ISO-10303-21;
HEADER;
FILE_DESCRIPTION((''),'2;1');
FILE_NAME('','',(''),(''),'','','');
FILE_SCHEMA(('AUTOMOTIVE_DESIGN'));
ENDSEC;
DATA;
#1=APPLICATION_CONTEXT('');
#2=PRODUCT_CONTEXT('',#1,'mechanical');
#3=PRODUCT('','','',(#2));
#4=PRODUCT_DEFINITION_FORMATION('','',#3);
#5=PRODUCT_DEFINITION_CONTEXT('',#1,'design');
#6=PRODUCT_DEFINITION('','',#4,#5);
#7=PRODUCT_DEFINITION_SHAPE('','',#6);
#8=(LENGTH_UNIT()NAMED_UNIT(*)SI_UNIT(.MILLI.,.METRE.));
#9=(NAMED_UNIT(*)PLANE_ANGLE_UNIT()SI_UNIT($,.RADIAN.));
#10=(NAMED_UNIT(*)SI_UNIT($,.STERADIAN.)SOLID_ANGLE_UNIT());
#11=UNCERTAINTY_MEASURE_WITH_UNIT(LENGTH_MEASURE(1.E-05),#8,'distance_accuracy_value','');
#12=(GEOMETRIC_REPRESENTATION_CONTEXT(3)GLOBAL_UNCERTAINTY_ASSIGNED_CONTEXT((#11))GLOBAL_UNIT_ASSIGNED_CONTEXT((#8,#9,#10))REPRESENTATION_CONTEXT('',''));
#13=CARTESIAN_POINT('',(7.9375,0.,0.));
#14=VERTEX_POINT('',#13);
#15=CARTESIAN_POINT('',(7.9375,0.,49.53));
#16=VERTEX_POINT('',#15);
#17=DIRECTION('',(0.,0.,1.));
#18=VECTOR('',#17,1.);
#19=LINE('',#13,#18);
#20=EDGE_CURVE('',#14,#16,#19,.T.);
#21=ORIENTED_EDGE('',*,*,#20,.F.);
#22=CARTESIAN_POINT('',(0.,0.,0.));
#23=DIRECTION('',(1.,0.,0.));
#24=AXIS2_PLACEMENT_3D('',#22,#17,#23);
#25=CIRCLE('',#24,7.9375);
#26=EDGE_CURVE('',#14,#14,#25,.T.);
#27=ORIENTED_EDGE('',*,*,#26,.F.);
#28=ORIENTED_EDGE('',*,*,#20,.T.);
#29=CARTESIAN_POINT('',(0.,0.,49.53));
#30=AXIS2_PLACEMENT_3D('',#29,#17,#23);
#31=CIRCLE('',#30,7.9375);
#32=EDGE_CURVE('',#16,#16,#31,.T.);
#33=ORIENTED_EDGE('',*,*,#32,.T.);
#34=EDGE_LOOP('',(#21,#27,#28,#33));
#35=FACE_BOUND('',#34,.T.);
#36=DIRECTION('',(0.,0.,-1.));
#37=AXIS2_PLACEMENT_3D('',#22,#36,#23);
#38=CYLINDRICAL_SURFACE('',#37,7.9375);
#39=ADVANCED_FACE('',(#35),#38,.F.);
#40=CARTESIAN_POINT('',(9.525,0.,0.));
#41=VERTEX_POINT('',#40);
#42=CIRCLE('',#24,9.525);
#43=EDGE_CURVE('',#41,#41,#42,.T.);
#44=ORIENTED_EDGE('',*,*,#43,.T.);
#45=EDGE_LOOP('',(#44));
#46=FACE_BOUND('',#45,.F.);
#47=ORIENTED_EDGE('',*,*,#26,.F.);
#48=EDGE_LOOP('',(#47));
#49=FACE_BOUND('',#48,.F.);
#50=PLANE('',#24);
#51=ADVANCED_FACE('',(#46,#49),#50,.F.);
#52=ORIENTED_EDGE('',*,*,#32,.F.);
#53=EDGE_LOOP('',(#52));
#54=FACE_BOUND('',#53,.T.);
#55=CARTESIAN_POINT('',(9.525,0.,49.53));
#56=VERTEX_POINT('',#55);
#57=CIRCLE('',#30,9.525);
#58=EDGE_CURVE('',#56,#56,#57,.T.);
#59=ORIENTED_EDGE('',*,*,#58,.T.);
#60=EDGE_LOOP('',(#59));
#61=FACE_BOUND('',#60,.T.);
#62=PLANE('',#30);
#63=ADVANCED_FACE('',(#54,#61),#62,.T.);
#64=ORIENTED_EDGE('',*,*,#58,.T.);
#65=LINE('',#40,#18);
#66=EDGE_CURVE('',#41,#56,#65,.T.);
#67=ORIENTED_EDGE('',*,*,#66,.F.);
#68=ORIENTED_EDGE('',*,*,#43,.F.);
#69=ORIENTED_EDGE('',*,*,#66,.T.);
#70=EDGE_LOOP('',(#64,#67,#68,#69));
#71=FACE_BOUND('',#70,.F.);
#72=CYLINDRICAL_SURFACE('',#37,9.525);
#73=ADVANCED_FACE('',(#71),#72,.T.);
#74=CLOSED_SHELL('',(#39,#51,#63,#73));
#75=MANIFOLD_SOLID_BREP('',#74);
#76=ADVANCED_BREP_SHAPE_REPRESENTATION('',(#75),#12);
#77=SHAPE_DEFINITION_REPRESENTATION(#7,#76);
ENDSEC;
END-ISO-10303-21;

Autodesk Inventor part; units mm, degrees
ref_plane "YZ Plane" through (0, 0, 0) normal (1, 0, 0) x (0, 1, 0)
ref_plane "XZ Plane" through (0, 0, 0) normal (0, 1, 0) x (-1, 0, 0)
ref_plane "XY Plane" through (0, 0, 0) normal (0, 0, 1) x (1, 0, 0)
sketch "Sketch1" plane through (0, 0, 0) normal (0, 0, 1) x (1, 0, 0)
  circle A0 centre (0, 0) radius 7.9375
  circle A1 centre (0, 0) radius 9.525
  dimension "d0" = 15.875
  dimension "d1" = 19.05
extrude "Extrusion1" add sketch "Sketch1" along normal blind 49.53
properties part number "PVC spacers 2in"
